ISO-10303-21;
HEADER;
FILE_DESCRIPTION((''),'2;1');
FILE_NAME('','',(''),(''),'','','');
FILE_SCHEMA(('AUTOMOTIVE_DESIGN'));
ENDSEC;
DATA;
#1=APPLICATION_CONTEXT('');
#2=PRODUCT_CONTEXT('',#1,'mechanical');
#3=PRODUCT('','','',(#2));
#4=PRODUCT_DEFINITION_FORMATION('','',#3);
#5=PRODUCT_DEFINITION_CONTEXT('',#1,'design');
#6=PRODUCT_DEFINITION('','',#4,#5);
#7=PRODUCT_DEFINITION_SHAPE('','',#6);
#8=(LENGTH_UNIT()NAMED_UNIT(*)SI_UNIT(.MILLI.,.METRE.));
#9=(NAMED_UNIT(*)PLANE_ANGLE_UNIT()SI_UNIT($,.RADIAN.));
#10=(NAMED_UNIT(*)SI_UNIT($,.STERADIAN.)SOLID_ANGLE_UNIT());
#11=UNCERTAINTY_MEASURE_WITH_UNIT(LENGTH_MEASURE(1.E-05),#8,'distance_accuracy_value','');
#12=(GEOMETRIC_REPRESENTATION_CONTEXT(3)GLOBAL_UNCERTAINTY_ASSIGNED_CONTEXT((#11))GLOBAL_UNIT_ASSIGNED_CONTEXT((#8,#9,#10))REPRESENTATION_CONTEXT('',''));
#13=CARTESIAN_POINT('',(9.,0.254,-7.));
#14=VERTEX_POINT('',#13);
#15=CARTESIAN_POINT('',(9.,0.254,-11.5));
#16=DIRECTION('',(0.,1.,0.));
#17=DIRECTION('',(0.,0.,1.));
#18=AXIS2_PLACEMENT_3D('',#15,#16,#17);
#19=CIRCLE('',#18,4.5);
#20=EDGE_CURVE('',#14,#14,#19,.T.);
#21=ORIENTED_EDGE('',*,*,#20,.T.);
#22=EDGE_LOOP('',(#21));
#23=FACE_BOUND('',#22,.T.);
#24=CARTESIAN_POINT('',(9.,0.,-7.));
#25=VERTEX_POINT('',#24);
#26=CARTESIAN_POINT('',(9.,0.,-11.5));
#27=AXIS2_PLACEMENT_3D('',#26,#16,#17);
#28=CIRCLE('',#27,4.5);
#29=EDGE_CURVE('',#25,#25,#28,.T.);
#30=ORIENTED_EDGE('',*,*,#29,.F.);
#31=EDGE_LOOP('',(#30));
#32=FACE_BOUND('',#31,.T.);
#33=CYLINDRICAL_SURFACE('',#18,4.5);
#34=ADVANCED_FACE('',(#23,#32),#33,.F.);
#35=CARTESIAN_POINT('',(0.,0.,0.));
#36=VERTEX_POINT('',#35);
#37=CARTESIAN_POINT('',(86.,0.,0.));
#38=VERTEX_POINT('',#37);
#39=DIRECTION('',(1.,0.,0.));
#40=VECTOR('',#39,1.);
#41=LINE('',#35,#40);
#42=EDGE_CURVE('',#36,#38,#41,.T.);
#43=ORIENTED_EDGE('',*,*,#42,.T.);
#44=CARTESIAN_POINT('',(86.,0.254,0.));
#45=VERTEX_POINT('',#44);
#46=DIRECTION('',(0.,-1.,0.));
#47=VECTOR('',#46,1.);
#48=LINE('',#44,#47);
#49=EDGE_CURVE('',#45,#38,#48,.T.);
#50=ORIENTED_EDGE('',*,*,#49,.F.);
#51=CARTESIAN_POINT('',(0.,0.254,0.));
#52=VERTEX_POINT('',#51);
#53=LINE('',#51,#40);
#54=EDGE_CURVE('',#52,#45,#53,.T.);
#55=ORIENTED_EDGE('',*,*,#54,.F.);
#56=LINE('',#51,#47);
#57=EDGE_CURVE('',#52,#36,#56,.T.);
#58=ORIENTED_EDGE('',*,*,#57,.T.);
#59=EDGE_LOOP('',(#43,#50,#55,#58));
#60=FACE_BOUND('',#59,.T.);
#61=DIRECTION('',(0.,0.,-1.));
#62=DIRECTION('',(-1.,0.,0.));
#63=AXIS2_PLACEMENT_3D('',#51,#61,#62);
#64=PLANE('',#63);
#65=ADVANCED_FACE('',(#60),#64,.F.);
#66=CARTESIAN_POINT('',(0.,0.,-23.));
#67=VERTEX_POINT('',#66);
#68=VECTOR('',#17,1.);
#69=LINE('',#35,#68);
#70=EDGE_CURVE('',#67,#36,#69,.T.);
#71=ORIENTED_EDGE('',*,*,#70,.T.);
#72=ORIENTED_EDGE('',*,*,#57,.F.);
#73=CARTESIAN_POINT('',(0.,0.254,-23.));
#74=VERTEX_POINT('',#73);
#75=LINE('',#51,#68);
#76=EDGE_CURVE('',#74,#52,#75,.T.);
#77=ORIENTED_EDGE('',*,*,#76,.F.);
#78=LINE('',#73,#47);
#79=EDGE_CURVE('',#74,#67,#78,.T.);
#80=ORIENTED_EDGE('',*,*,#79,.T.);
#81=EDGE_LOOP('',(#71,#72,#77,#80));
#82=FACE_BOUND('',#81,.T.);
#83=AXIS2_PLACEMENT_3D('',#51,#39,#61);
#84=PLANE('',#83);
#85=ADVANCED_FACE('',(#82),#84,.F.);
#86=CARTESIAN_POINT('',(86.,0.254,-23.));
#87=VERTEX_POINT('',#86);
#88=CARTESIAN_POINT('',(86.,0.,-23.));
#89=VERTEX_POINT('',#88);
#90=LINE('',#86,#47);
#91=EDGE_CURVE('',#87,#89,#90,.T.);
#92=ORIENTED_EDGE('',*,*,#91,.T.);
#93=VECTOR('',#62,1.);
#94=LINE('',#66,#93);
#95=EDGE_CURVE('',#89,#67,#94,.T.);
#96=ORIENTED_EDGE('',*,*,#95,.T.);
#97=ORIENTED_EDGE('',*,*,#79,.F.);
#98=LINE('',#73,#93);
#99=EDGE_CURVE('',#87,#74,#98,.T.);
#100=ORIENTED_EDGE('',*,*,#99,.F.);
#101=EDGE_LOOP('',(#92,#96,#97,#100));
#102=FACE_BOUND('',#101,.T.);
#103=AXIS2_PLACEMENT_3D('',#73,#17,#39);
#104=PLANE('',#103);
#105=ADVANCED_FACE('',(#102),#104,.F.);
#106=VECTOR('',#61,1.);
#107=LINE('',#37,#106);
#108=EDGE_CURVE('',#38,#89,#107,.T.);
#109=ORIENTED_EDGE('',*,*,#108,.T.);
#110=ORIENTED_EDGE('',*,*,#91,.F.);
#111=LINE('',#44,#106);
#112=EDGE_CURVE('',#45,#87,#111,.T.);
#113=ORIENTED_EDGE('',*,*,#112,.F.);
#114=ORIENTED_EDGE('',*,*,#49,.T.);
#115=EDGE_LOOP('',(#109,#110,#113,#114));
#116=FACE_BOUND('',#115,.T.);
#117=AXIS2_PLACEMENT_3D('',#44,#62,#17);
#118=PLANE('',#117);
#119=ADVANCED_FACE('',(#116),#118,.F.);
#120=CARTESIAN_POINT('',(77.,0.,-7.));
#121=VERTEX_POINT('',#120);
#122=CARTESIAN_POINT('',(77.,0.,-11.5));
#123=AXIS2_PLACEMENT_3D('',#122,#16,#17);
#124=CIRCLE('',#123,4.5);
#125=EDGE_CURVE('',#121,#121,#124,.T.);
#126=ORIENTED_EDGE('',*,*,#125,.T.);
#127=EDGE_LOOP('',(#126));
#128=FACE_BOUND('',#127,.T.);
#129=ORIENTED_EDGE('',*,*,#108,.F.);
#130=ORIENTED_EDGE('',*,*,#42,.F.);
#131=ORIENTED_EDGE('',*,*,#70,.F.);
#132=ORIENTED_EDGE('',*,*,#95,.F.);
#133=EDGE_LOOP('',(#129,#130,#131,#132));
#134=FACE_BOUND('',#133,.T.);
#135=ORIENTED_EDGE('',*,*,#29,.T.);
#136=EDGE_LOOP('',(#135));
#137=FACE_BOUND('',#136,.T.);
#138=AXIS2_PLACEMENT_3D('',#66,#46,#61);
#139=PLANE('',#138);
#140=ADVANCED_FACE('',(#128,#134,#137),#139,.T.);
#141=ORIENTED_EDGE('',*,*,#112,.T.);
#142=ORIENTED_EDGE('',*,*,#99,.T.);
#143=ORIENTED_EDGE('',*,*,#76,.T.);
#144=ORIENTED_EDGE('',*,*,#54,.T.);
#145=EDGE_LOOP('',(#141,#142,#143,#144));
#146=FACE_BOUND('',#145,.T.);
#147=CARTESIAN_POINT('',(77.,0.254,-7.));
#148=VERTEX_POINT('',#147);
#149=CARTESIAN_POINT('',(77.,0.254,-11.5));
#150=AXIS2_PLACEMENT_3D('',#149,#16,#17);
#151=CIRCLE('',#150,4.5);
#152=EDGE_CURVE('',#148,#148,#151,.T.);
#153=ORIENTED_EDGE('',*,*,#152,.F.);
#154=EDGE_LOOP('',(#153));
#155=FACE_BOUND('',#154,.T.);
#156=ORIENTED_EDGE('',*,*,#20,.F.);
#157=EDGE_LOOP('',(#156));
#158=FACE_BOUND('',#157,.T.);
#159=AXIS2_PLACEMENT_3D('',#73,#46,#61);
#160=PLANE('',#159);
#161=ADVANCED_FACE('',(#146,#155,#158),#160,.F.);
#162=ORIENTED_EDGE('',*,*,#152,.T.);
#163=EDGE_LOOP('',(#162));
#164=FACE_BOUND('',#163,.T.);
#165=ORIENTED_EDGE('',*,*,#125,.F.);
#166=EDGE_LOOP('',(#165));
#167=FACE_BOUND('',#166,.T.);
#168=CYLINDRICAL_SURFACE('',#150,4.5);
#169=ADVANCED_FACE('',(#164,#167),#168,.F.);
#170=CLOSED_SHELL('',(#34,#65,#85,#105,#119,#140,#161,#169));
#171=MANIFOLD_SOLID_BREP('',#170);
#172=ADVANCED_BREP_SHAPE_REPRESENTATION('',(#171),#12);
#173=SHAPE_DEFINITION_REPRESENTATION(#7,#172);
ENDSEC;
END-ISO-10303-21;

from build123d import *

# Parameters (mm, degrees)
SKETCH1_W                = 86
SKETCH1_H                = 23
EXTRUDE1_DEPTH           = 0.254
F_9_0_9_DIAMETER_HOLE1_D = 9


with BuildPart() as part:
    # Sketch1 → Extrude1 (new body)
    with BuildSketch(Plane(origin=(0, 0, 0), x_dir=(1, 0, 0), z_dir=(0, 1, 0))):
        with Locations((43, 11.5)):
            Rectangle(SKETCH1_W, SKETCH1_H)
    extrude(amount=EXTRUDE1_DEPTH)

    # Ø9.0 (9) Diameter Hole1 (through all)
    with Locations(Plane(origin=(0, 0.254, 0), x_dir=(-1, 0, 0), z_dir=(0, 1, 0))):
        with Locations((-9, -11.5), (-77, -11.5)):
            Hole(F_9_0_9_DIAMETER_HOLE1_D / 2)


solid = part.part
